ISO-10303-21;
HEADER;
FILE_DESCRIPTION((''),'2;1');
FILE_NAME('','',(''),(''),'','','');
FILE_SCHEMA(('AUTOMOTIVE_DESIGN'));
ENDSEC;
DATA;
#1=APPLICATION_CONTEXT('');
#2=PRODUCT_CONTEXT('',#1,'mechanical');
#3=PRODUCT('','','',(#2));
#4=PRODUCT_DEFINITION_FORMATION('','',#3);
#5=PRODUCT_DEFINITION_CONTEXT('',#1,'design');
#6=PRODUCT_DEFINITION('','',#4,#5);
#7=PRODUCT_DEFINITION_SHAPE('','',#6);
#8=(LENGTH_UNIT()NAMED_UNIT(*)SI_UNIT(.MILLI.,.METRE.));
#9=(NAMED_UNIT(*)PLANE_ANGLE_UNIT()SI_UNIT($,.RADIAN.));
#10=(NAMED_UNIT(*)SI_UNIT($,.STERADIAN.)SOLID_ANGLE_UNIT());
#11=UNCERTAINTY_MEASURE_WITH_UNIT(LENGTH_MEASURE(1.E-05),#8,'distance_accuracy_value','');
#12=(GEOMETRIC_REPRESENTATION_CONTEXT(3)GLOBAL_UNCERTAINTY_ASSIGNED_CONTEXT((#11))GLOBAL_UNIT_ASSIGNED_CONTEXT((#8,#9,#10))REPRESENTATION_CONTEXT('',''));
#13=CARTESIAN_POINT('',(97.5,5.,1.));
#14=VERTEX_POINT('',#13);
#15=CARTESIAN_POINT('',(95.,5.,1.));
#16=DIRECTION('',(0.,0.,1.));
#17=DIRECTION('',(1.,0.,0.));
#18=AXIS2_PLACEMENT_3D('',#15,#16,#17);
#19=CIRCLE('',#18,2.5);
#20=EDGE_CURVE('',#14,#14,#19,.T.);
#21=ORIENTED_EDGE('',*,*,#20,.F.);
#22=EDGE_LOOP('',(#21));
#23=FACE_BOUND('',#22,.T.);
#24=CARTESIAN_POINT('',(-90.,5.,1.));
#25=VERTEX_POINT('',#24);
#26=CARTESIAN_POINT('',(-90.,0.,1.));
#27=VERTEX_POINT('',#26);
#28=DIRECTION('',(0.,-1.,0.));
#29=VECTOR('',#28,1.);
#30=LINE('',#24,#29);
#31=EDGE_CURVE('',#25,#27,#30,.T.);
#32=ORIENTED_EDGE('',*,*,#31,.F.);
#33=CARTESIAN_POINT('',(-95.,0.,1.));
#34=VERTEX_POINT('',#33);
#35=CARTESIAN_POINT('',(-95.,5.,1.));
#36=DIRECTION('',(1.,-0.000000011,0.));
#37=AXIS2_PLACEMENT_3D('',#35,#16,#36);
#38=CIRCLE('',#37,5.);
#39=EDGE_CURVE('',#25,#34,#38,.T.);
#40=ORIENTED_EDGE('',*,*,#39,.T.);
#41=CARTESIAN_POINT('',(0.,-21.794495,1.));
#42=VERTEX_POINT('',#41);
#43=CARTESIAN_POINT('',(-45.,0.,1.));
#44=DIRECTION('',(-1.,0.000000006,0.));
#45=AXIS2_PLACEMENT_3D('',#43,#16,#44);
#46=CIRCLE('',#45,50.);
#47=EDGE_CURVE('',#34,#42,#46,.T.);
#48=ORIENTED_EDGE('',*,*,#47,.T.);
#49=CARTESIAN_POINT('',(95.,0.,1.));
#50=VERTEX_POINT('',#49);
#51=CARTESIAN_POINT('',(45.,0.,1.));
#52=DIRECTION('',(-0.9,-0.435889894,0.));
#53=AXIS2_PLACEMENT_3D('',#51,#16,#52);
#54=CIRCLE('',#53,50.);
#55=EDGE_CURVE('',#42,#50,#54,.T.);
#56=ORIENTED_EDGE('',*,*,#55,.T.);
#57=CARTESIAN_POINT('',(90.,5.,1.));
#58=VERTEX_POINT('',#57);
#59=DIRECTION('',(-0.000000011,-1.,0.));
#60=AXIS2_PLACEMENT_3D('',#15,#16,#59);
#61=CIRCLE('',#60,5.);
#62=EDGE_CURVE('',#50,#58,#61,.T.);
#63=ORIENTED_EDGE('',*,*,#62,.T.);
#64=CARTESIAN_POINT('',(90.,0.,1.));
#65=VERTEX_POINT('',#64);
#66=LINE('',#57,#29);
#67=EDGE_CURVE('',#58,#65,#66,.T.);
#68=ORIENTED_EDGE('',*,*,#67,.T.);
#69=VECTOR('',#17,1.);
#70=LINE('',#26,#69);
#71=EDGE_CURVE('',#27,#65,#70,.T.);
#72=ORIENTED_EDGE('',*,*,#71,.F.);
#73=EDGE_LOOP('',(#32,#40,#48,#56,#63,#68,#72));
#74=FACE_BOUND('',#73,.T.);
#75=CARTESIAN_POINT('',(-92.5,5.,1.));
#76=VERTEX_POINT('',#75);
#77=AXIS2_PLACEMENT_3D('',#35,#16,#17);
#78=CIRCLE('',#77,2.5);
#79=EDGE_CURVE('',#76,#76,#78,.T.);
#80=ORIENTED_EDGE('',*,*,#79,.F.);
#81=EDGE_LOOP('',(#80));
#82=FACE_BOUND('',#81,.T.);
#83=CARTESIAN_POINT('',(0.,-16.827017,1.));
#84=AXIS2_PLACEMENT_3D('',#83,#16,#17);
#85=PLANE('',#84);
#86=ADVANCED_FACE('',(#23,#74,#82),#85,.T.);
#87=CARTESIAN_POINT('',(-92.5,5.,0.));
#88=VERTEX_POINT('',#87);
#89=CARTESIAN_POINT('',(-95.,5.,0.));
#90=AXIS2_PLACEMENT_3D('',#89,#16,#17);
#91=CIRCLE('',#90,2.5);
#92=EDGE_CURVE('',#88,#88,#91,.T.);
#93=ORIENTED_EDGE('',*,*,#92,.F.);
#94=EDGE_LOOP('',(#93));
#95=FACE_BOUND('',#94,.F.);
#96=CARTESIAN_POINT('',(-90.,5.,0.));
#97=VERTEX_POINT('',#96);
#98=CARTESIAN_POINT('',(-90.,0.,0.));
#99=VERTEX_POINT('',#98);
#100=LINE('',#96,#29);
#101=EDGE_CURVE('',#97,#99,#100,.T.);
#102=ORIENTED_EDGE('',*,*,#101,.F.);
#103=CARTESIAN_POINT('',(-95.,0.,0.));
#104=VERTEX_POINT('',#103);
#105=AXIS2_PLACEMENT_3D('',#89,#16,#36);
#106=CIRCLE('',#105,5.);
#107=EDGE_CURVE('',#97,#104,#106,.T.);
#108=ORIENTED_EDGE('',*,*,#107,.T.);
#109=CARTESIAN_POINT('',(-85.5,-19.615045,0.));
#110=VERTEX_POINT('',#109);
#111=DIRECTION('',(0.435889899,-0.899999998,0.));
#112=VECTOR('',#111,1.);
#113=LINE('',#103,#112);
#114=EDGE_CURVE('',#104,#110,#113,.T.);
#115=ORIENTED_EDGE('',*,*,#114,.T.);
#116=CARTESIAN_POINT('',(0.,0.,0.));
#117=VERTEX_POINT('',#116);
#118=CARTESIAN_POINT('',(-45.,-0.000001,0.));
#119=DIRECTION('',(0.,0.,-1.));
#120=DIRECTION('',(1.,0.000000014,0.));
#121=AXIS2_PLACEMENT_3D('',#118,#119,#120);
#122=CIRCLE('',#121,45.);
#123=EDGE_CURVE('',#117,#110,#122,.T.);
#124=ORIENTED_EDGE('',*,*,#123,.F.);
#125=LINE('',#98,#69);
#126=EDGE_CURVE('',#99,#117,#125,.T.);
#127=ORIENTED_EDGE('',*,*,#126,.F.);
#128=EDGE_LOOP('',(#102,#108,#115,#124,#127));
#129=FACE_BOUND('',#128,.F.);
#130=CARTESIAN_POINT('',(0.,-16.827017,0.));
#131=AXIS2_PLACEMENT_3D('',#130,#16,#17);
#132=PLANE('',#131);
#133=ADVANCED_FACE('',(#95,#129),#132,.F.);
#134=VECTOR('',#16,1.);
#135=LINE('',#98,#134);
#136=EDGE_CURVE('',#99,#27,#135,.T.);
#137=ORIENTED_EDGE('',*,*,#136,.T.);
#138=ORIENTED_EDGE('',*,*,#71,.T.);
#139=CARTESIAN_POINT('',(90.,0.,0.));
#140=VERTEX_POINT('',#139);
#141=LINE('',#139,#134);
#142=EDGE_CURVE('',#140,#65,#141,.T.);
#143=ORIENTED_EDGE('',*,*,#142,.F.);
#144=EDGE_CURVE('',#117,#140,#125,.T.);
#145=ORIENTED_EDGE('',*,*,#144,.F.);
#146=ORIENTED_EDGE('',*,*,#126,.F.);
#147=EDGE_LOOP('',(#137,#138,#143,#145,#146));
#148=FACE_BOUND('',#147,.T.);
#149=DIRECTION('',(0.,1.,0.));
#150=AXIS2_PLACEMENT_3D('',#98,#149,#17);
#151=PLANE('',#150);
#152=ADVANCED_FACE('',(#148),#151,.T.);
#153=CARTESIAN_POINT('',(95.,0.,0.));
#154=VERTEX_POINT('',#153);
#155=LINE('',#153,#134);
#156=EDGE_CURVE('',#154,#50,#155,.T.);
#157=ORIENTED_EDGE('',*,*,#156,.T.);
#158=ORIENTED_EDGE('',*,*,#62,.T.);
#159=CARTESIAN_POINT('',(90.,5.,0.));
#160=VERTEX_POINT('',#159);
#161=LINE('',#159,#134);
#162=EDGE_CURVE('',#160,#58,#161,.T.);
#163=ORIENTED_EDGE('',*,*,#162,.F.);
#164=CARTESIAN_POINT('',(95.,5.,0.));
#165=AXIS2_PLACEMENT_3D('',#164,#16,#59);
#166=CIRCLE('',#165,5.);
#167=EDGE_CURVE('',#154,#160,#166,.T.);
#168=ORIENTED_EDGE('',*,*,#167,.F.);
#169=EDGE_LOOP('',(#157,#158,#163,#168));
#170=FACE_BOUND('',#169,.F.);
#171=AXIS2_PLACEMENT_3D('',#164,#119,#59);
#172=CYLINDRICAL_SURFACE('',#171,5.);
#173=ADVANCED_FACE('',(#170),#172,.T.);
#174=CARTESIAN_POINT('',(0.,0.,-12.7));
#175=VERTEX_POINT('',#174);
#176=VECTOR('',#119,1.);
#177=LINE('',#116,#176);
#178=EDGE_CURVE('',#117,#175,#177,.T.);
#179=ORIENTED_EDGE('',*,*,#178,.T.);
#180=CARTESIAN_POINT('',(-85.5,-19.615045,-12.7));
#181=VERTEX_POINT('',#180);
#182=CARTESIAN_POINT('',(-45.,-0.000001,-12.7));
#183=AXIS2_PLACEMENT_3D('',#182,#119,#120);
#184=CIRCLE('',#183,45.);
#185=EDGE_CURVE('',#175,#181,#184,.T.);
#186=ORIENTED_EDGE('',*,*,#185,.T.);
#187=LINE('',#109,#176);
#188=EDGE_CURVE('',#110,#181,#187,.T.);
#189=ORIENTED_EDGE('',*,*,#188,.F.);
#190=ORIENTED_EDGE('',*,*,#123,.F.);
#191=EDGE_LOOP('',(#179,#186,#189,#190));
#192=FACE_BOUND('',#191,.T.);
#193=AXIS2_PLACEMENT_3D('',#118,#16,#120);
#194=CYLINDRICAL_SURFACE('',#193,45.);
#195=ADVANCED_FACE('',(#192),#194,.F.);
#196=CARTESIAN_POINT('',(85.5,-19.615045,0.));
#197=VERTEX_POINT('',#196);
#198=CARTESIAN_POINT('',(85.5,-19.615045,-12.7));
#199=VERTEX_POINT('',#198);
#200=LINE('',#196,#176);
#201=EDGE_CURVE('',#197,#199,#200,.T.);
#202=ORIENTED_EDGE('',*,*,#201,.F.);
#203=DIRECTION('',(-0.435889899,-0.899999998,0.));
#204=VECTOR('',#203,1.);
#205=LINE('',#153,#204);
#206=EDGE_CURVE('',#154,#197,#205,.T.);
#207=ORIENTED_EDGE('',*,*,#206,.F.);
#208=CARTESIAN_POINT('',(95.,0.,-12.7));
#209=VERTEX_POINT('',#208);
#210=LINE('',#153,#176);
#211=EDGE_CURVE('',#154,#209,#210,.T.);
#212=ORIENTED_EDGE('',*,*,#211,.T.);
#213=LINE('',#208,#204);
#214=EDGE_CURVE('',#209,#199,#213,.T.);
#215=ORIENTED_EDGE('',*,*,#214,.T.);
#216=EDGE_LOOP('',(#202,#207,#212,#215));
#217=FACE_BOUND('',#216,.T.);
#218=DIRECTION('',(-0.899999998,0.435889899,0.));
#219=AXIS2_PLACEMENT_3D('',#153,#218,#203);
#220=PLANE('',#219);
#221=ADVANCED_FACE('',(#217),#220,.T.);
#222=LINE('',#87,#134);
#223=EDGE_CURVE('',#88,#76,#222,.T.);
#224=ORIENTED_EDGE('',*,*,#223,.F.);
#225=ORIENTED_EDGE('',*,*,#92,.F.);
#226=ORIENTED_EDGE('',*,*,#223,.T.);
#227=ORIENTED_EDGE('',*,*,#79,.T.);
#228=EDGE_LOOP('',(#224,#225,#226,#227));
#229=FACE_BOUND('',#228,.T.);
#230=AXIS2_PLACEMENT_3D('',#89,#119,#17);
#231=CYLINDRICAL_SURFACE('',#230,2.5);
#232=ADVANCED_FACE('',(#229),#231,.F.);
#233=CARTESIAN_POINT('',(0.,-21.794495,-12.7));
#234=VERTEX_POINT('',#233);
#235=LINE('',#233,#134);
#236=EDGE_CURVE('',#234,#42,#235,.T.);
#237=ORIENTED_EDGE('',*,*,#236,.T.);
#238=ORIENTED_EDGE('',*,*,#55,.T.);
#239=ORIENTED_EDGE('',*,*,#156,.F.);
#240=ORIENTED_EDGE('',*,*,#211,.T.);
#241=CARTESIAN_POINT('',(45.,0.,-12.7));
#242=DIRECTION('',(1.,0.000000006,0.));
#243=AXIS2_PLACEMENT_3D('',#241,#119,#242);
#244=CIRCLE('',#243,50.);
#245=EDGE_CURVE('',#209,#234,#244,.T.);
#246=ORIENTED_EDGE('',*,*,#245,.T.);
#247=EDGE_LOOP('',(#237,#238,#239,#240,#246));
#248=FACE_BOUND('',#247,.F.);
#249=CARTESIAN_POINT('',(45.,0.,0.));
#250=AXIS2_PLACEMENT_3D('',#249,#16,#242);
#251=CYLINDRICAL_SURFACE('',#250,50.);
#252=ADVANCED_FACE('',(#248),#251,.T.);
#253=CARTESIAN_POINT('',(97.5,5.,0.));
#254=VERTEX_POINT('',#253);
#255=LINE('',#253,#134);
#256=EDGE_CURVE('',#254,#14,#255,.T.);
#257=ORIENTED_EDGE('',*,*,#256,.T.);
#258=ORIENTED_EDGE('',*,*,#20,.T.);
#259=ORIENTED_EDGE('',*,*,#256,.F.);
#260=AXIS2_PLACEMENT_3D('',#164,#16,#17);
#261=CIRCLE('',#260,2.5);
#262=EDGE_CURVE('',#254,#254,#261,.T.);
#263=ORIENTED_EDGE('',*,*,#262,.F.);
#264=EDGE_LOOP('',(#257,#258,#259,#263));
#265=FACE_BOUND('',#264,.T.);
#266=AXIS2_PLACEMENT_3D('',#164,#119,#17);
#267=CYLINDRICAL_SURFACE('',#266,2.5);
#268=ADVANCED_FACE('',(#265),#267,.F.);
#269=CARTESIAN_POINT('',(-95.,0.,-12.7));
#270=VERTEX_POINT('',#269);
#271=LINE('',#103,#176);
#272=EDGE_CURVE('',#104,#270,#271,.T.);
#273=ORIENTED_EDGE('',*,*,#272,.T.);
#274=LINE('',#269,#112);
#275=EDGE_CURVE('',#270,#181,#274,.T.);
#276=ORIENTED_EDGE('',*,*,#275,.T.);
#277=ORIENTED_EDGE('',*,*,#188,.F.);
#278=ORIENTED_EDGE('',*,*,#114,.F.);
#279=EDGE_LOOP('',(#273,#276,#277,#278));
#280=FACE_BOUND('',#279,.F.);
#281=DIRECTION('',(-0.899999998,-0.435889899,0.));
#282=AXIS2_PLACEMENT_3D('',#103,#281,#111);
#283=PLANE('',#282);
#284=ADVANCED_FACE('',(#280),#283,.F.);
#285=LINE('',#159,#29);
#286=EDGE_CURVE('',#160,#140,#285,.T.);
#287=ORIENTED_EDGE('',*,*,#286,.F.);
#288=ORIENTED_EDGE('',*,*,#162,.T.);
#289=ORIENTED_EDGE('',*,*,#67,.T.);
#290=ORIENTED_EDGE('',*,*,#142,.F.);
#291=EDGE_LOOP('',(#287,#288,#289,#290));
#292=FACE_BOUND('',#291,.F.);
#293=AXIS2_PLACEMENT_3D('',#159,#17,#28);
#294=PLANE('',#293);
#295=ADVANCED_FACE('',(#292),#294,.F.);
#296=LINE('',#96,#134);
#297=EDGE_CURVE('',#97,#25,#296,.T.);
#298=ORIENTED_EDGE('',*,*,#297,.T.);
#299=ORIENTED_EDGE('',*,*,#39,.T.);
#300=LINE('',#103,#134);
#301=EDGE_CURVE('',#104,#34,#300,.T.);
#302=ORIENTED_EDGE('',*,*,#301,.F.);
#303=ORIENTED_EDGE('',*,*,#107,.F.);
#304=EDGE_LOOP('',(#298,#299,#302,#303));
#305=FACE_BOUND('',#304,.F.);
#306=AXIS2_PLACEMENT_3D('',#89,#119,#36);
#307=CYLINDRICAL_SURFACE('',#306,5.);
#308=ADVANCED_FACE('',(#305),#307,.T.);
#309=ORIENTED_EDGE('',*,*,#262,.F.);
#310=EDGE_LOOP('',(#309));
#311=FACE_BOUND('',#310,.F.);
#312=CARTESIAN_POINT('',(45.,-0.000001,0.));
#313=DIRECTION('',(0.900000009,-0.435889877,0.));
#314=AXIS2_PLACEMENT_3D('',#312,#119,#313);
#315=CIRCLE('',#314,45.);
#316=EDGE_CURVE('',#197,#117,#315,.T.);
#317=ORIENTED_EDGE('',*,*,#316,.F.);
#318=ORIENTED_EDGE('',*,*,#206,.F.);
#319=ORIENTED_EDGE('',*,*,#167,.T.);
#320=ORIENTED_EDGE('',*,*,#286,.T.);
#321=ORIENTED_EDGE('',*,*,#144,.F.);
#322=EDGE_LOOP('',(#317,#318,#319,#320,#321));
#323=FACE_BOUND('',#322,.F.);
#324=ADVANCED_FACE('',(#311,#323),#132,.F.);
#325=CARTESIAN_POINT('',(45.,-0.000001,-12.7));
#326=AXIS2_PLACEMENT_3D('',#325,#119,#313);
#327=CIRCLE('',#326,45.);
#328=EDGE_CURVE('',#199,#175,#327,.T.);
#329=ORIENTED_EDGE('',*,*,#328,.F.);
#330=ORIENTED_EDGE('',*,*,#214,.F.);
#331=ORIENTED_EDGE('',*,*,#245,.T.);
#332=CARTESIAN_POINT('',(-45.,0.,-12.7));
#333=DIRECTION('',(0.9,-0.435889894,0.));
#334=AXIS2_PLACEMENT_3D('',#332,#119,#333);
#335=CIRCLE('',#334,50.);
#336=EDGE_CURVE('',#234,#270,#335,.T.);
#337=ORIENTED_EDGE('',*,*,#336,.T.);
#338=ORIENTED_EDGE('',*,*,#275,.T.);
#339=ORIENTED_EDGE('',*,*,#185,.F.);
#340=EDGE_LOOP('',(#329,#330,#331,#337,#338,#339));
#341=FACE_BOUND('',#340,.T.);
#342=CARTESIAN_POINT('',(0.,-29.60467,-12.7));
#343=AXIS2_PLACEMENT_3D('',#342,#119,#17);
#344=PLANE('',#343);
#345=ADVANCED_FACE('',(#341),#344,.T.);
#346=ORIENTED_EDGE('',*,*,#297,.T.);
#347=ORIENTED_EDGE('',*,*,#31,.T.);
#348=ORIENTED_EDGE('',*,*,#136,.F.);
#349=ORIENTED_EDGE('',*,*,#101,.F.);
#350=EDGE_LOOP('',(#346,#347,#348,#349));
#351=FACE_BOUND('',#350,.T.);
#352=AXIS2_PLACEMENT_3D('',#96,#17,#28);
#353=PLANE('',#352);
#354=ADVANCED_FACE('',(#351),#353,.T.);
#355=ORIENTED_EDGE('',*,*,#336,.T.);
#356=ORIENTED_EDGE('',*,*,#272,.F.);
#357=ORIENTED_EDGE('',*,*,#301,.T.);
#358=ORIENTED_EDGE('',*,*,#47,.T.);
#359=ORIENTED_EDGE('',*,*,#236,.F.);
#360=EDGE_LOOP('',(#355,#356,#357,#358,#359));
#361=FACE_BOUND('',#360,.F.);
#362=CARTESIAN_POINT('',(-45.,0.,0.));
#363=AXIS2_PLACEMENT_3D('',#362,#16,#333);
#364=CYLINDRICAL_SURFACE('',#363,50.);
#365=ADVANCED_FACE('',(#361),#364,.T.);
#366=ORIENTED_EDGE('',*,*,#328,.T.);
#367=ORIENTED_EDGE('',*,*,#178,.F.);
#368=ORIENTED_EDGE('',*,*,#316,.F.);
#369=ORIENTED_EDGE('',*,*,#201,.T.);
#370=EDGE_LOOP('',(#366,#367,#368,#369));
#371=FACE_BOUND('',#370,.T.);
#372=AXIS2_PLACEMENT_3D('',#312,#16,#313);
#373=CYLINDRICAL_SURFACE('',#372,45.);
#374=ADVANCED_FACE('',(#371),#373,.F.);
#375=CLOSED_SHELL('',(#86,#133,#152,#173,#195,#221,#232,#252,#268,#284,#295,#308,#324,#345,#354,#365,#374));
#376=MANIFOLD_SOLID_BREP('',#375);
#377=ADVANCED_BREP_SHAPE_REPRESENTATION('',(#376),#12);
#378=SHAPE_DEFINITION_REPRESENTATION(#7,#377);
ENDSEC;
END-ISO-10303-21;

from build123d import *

# Parameters (mm, degrees)
SKETCH_R     = 2.5
PAD_DEPTH    = 1
PAD001_DEPTH = 12.7


with BuildPart() as part:
    # Sketch → Pad (new body)
    with BuildSketch(Plane.XY):
        with BuildLine():
            ThreePointArc((0, -21.794495), (56.18034, -48.733972), (95, 0))
            ThreePointArc((95, 0), (98.535534, 8.535534), (90, 5))
            Line((90, 5), (90, 0))
            Line((-90, 0), (90, 0))
            Line((-90, 5), (-90, 0))
            ThreePointArc((-90, 5), (-98.535534, 8.535534), (-95, 0))
            ThreePointArc((-95, 0), (-56.18034, -48.733972), (0, -21.794495))
        make_face()
        with Locations((95, 5)):
            Circle(SKETCH_R, mode=Mode.SUBTRACT)
        with Locations((-95, 5)):
            Circle(SKETCH_R, mode=Mode.SUBTRACT)
    extrude(amount=PAD_DEPTH)

    # Sketch001 (on Face10 of Pad) → Pad001 (join)
    with BuildSketch(Plane(origin=(0, 0, 0), x_dir=(1, 0, 0), z_dir=(0, 0, -1))):
        with BuildLine():
            Line((-95, 0), (-85.5, 19.615045))
            ThreePointArc((0, 0), (-34.937694, 43.860575), (-85.5, 19.615045))
            ThreePointArc((85.5, 19.615045), (34.937694, 43.860575), (0, 0))
            Line((95, 0), (85.5, 19.615045))
            ThreePointArc((95, 0), (56.18034, 48.733972), (0, 21.794495))
            ThreePointArc((0, 21.794495), (-56.18034, 48.733972), (-95, 0))
        make_face()
    extrude(amount=PAD001_DEPTH)


solid = part.part
